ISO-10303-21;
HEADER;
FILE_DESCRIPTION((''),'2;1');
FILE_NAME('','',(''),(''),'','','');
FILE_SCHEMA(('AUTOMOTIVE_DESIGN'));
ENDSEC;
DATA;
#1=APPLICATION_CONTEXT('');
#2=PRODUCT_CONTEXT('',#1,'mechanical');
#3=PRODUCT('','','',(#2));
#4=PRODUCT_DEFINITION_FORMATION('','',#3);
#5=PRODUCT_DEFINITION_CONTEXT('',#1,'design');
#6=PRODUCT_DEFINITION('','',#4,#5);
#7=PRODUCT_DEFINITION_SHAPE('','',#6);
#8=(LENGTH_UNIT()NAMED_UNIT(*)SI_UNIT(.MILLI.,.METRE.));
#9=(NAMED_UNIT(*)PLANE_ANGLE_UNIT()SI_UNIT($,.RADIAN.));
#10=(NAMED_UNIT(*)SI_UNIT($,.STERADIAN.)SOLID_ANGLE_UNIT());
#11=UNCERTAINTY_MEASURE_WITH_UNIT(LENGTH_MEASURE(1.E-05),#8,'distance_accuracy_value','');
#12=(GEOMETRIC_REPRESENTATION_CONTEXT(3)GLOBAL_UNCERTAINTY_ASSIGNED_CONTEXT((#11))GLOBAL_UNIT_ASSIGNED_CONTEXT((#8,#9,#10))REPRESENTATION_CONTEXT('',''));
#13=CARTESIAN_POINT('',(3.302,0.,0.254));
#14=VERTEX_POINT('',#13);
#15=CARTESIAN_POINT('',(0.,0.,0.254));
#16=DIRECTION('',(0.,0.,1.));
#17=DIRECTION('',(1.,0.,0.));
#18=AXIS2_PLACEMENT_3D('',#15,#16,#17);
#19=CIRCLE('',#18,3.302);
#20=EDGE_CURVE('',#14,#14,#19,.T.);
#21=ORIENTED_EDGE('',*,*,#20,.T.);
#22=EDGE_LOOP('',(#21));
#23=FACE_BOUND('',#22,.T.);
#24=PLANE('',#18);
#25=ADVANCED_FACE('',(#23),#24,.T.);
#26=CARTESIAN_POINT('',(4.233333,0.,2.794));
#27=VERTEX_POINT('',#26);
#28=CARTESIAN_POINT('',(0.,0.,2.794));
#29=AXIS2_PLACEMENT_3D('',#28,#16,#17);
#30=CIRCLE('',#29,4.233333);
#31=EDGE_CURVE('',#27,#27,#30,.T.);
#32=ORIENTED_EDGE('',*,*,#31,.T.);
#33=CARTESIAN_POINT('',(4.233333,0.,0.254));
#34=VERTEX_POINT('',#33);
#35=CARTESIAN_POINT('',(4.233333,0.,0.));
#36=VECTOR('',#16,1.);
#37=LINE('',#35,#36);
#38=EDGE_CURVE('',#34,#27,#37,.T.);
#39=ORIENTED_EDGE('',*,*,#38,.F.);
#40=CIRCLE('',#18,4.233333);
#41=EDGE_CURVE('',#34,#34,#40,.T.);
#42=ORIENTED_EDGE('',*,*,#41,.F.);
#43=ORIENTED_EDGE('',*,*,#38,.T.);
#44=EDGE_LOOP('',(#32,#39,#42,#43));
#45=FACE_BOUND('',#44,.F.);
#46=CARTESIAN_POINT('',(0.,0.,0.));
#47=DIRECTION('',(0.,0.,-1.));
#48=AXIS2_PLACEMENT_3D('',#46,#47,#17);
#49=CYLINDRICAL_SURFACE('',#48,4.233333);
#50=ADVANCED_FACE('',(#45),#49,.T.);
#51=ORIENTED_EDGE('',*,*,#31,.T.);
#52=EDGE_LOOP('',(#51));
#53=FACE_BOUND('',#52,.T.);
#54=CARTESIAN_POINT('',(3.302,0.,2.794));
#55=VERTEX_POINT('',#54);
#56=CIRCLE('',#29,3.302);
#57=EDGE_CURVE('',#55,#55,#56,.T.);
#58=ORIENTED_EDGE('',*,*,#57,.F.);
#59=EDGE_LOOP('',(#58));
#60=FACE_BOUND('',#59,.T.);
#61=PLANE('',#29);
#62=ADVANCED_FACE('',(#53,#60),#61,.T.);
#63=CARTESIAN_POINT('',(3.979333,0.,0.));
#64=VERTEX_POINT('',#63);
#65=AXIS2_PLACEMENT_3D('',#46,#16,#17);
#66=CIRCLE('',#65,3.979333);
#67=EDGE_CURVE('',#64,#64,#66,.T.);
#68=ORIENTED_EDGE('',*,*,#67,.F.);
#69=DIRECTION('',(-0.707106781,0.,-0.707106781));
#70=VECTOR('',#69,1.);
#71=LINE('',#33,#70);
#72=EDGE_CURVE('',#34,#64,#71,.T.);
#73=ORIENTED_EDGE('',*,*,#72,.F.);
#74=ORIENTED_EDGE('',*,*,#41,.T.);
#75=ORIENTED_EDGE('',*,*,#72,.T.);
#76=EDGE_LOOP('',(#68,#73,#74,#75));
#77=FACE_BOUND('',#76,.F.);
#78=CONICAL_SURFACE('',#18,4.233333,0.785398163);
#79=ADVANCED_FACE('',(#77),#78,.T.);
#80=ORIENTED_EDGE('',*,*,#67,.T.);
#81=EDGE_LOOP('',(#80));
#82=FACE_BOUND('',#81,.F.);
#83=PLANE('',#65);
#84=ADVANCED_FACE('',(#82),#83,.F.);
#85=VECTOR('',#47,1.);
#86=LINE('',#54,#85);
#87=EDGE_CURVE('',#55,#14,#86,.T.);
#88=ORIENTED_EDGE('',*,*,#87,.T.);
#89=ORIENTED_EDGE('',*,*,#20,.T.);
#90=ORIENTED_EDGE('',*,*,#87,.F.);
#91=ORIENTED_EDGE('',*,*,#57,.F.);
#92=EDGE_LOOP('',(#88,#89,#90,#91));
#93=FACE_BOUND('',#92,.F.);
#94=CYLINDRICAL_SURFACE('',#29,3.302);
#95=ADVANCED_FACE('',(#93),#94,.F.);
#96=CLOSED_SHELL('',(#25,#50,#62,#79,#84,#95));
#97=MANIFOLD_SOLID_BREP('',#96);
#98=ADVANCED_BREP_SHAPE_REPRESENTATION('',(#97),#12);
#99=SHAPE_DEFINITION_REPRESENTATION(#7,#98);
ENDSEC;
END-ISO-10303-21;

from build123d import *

# Parameters (mm, degrees)
F0_R     = 4.233333
F1_DEPTH = 2.794
F2_R     = 3.302
F3_DEPTH = 2.54
F4_SIZE  = 0.254


with BuildPart() as f1:
    # F0 (on Top) → F1 (new body)
    with BuildSketch(Plane.XY):
        Circle(F0_R)
    extrude(amount=F1_DEPTH)

    # F2 (on face) → F3 (cut)
    with BuildSketch(Plane.XY.offset(2.794)):
        Circle(F2_R)
    extrude(amount=-F3_DEPTH, mode=Mode.SUBTRACT)

    # F4
    f4_edges = [f1.edges().sort_by_distance(p)[0] for p in [
        (-4.233333, 0, 0),
    ]]
    chamfer(f4_edges, length=F4_SIZE)


solid = f1.part
